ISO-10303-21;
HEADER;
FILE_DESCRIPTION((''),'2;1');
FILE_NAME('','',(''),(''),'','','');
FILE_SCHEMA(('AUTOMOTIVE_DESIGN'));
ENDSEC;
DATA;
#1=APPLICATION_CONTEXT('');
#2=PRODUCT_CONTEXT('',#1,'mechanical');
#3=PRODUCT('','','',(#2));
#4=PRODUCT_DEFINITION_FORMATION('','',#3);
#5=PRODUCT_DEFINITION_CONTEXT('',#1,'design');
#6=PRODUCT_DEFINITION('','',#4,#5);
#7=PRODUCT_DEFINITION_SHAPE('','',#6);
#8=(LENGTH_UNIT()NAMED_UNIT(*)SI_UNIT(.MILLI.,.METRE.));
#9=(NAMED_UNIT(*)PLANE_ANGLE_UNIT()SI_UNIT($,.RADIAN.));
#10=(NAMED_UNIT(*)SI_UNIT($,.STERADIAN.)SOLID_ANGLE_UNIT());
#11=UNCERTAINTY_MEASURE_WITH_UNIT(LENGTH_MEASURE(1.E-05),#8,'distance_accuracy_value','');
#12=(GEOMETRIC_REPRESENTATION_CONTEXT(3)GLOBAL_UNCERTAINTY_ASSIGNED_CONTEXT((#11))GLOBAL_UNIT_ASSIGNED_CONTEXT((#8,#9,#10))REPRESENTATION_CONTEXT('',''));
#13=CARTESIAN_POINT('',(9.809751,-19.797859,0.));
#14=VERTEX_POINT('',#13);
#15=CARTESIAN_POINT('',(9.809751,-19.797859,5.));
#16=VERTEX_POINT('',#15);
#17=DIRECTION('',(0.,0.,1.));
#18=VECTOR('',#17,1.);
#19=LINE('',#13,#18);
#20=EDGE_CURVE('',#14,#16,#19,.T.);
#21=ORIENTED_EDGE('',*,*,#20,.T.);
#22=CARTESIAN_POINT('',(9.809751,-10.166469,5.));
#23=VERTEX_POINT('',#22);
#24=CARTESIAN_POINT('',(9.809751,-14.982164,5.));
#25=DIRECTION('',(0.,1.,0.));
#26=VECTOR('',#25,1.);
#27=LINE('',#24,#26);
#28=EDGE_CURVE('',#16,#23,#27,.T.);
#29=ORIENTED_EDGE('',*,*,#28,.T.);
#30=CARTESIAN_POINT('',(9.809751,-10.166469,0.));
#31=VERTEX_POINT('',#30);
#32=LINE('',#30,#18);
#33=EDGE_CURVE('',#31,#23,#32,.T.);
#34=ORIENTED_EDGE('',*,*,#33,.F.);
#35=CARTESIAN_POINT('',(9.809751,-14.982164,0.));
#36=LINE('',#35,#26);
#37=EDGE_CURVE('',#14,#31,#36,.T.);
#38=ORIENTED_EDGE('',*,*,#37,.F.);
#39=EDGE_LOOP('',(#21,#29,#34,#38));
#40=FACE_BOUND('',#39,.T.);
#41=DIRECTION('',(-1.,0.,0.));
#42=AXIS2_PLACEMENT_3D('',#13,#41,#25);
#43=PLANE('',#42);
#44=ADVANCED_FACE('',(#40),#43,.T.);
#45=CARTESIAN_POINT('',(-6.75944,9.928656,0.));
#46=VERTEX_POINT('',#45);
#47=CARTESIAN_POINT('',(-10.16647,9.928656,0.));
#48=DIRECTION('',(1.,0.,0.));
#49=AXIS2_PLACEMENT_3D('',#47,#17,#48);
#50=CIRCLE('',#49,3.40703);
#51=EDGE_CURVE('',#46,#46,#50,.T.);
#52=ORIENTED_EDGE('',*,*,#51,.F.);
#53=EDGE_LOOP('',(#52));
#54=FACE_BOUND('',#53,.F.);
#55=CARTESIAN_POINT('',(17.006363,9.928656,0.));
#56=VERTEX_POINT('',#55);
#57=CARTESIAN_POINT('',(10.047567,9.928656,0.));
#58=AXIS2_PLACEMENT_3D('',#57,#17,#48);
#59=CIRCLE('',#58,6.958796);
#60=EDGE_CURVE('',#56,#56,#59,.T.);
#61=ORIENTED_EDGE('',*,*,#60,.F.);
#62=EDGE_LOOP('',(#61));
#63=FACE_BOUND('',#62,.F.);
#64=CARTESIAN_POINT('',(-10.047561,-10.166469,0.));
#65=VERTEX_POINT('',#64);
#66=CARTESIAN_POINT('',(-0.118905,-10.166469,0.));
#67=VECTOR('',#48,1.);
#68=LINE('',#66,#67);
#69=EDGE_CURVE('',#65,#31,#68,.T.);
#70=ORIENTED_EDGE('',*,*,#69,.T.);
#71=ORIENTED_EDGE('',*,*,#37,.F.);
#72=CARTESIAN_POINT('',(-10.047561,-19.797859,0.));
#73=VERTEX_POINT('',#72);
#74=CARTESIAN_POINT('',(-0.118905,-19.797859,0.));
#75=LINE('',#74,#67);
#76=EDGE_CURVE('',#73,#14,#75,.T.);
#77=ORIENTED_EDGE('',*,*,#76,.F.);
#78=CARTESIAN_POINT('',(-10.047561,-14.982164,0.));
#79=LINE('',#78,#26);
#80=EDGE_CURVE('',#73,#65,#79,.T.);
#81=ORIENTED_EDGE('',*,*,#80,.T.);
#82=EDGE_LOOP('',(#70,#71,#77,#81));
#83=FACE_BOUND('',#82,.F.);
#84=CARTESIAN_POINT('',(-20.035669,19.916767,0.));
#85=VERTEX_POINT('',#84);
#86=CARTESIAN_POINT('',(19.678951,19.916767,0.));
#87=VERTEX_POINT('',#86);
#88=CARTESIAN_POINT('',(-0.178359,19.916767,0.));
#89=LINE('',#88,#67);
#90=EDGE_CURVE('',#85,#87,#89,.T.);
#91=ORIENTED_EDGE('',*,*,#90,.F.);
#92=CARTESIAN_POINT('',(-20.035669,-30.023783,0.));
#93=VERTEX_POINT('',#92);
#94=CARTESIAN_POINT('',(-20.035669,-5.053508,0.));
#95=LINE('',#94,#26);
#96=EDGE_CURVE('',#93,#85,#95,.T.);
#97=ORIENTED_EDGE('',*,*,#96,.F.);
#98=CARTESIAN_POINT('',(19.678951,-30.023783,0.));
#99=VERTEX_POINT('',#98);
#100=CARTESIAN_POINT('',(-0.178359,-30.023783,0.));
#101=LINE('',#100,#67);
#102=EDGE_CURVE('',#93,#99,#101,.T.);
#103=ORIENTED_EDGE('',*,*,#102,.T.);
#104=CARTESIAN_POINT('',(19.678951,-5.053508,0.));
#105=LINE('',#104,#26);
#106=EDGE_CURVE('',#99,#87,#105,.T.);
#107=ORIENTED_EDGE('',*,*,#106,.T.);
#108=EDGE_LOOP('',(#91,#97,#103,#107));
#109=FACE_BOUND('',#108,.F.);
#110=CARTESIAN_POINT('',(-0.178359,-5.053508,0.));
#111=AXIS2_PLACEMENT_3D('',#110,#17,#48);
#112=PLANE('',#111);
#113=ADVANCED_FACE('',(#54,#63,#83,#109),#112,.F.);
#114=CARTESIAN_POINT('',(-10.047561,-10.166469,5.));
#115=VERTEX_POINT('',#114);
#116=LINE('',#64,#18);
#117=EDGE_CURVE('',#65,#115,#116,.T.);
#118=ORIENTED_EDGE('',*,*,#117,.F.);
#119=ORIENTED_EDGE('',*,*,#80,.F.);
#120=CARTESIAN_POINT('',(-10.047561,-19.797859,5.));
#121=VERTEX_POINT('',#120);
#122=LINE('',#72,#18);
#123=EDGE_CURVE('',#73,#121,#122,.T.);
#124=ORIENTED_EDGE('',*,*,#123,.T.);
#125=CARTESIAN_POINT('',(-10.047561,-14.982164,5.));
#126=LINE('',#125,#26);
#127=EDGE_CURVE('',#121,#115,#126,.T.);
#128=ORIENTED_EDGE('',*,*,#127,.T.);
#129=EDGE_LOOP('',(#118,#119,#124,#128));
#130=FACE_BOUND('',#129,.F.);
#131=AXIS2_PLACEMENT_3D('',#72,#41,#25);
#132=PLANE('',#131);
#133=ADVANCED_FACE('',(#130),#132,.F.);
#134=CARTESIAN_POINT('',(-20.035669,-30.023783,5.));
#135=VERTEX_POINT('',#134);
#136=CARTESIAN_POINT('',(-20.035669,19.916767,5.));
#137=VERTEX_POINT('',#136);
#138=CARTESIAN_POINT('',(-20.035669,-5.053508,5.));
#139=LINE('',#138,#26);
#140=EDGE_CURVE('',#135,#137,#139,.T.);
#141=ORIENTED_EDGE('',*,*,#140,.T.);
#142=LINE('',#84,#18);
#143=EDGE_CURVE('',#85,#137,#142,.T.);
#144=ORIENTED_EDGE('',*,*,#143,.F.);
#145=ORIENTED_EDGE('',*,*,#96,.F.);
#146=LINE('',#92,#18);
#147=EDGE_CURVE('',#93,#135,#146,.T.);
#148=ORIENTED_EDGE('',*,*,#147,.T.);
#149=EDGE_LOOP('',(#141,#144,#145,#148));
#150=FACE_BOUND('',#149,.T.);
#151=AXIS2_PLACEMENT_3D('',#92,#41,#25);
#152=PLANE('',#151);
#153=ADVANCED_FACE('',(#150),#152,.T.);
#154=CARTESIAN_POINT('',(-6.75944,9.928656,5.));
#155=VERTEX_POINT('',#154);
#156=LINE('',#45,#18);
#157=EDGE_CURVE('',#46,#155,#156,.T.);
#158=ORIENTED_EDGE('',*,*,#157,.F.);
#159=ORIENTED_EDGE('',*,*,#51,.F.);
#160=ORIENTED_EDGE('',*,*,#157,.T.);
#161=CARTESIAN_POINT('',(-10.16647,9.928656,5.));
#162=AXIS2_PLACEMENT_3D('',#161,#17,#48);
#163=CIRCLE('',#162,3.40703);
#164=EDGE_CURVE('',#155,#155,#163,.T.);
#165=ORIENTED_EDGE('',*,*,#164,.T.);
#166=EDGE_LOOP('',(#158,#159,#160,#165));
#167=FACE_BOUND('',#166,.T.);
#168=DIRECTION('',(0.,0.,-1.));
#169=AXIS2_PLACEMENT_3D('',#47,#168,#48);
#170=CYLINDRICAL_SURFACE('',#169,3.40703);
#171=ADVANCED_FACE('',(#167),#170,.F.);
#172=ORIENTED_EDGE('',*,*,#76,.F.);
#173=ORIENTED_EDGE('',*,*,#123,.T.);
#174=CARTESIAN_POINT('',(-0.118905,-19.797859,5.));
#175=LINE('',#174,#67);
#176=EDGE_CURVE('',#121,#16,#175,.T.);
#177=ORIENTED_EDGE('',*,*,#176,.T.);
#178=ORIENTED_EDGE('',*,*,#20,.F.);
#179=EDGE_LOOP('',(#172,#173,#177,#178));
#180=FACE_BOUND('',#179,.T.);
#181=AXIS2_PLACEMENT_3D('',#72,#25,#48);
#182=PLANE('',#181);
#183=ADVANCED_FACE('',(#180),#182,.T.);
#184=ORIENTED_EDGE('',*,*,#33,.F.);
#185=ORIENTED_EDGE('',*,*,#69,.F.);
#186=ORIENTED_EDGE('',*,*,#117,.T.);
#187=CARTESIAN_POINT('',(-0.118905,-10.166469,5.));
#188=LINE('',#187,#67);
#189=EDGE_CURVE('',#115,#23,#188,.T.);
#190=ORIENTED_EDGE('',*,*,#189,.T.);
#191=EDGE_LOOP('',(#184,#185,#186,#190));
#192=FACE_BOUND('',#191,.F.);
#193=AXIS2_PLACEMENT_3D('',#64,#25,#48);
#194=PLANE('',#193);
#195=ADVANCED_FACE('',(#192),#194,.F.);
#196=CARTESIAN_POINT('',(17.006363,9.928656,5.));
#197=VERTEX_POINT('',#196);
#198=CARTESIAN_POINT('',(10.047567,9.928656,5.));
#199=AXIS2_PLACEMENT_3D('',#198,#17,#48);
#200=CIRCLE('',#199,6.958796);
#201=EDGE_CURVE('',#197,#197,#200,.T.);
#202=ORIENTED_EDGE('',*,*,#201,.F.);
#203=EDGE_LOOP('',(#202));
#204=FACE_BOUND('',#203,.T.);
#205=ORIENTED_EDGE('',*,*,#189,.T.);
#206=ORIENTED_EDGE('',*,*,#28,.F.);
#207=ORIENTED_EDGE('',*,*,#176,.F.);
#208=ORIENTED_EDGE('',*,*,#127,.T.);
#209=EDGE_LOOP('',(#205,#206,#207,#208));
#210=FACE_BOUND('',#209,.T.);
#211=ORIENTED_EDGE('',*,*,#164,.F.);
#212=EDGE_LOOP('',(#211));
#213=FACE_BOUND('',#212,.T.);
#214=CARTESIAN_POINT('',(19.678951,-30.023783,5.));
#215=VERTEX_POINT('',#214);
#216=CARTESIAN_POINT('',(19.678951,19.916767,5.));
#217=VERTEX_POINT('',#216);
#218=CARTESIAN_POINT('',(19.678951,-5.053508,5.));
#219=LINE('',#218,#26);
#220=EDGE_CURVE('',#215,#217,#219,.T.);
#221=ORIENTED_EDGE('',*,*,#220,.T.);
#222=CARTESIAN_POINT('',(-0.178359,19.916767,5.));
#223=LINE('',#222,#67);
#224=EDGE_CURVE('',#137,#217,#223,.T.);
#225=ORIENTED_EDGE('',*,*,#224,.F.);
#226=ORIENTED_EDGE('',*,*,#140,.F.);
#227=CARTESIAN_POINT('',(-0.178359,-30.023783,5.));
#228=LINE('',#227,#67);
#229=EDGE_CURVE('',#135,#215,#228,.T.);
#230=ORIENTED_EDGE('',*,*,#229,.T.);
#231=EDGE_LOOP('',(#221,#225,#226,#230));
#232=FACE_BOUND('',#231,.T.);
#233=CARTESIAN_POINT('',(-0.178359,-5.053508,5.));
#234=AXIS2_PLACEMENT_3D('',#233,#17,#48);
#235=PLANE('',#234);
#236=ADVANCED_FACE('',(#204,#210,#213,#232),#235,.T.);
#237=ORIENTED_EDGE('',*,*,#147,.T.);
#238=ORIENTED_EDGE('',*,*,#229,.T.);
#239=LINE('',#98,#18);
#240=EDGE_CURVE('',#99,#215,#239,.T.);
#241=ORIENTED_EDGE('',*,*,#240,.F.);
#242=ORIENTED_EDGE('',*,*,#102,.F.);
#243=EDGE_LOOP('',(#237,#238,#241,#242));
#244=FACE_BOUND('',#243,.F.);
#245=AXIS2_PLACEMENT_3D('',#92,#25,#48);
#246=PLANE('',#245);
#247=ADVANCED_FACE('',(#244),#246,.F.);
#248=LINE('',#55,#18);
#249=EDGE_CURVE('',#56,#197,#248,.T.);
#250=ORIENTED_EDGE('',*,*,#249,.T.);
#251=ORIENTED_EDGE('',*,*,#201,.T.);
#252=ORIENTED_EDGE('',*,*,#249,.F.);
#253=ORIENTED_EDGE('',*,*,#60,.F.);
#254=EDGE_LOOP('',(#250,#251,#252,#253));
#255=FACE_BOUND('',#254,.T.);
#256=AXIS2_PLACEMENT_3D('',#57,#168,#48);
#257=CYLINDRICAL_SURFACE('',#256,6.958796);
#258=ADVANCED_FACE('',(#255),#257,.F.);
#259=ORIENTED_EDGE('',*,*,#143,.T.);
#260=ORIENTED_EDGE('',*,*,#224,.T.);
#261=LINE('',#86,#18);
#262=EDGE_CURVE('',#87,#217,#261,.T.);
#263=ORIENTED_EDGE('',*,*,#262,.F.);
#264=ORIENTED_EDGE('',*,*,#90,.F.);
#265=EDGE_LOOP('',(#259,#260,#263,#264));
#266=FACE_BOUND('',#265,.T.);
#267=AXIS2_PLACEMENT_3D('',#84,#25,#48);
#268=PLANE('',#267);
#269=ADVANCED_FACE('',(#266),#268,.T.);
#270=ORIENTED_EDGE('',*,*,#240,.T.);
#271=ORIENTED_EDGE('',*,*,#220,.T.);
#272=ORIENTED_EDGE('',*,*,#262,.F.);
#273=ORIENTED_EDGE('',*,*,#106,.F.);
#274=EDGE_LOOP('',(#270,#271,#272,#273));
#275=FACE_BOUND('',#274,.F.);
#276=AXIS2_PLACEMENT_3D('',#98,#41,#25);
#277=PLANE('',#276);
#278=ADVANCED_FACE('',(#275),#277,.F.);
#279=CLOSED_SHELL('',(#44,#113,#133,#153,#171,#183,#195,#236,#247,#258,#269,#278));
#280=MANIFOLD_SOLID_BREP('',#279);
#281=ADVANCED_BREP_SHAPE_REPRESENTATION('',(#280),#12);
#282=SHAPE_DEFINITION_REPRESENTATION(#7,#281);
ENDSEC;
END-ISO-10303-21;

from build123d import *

# Parameters (mm, degrees)
SKETCH_W      = 39.71462
SKETCH_H      = 49.94055
SKETCH_R      = 3.40703
SKETCH_R_2    = 6.958796
SKETCH_W_2    = 19.857312
SKETCH_H_2    = 9.631389
EXTRUDE_DEPTH = 5


with BuildPart() as part:
    # Sketch → Extrude (new body)
    with BuildSketch(Plane.XY):
        with Locations((-0.178359, -5.053508)):
            Rectangle(SKETCH_W, SKETCH_H)
        with Locations((-10.16647, 9.928656)):
            Circle(SKETCH_R, mode=Mode.SUBTRACT)
        with Locations((10.047567, 9.928656)):
            Circle(SKETCH_R_2, mode=Mode.SUBTRACT)
        with Locations((-0.118905, -14.982164)):
            Rectangle(SKETCH_W_2, SKETCH_H_2, mode=Mode.SUBTRACT)
    extrude(amount=EXTRUDE_DEPTH)


solid = part.part
